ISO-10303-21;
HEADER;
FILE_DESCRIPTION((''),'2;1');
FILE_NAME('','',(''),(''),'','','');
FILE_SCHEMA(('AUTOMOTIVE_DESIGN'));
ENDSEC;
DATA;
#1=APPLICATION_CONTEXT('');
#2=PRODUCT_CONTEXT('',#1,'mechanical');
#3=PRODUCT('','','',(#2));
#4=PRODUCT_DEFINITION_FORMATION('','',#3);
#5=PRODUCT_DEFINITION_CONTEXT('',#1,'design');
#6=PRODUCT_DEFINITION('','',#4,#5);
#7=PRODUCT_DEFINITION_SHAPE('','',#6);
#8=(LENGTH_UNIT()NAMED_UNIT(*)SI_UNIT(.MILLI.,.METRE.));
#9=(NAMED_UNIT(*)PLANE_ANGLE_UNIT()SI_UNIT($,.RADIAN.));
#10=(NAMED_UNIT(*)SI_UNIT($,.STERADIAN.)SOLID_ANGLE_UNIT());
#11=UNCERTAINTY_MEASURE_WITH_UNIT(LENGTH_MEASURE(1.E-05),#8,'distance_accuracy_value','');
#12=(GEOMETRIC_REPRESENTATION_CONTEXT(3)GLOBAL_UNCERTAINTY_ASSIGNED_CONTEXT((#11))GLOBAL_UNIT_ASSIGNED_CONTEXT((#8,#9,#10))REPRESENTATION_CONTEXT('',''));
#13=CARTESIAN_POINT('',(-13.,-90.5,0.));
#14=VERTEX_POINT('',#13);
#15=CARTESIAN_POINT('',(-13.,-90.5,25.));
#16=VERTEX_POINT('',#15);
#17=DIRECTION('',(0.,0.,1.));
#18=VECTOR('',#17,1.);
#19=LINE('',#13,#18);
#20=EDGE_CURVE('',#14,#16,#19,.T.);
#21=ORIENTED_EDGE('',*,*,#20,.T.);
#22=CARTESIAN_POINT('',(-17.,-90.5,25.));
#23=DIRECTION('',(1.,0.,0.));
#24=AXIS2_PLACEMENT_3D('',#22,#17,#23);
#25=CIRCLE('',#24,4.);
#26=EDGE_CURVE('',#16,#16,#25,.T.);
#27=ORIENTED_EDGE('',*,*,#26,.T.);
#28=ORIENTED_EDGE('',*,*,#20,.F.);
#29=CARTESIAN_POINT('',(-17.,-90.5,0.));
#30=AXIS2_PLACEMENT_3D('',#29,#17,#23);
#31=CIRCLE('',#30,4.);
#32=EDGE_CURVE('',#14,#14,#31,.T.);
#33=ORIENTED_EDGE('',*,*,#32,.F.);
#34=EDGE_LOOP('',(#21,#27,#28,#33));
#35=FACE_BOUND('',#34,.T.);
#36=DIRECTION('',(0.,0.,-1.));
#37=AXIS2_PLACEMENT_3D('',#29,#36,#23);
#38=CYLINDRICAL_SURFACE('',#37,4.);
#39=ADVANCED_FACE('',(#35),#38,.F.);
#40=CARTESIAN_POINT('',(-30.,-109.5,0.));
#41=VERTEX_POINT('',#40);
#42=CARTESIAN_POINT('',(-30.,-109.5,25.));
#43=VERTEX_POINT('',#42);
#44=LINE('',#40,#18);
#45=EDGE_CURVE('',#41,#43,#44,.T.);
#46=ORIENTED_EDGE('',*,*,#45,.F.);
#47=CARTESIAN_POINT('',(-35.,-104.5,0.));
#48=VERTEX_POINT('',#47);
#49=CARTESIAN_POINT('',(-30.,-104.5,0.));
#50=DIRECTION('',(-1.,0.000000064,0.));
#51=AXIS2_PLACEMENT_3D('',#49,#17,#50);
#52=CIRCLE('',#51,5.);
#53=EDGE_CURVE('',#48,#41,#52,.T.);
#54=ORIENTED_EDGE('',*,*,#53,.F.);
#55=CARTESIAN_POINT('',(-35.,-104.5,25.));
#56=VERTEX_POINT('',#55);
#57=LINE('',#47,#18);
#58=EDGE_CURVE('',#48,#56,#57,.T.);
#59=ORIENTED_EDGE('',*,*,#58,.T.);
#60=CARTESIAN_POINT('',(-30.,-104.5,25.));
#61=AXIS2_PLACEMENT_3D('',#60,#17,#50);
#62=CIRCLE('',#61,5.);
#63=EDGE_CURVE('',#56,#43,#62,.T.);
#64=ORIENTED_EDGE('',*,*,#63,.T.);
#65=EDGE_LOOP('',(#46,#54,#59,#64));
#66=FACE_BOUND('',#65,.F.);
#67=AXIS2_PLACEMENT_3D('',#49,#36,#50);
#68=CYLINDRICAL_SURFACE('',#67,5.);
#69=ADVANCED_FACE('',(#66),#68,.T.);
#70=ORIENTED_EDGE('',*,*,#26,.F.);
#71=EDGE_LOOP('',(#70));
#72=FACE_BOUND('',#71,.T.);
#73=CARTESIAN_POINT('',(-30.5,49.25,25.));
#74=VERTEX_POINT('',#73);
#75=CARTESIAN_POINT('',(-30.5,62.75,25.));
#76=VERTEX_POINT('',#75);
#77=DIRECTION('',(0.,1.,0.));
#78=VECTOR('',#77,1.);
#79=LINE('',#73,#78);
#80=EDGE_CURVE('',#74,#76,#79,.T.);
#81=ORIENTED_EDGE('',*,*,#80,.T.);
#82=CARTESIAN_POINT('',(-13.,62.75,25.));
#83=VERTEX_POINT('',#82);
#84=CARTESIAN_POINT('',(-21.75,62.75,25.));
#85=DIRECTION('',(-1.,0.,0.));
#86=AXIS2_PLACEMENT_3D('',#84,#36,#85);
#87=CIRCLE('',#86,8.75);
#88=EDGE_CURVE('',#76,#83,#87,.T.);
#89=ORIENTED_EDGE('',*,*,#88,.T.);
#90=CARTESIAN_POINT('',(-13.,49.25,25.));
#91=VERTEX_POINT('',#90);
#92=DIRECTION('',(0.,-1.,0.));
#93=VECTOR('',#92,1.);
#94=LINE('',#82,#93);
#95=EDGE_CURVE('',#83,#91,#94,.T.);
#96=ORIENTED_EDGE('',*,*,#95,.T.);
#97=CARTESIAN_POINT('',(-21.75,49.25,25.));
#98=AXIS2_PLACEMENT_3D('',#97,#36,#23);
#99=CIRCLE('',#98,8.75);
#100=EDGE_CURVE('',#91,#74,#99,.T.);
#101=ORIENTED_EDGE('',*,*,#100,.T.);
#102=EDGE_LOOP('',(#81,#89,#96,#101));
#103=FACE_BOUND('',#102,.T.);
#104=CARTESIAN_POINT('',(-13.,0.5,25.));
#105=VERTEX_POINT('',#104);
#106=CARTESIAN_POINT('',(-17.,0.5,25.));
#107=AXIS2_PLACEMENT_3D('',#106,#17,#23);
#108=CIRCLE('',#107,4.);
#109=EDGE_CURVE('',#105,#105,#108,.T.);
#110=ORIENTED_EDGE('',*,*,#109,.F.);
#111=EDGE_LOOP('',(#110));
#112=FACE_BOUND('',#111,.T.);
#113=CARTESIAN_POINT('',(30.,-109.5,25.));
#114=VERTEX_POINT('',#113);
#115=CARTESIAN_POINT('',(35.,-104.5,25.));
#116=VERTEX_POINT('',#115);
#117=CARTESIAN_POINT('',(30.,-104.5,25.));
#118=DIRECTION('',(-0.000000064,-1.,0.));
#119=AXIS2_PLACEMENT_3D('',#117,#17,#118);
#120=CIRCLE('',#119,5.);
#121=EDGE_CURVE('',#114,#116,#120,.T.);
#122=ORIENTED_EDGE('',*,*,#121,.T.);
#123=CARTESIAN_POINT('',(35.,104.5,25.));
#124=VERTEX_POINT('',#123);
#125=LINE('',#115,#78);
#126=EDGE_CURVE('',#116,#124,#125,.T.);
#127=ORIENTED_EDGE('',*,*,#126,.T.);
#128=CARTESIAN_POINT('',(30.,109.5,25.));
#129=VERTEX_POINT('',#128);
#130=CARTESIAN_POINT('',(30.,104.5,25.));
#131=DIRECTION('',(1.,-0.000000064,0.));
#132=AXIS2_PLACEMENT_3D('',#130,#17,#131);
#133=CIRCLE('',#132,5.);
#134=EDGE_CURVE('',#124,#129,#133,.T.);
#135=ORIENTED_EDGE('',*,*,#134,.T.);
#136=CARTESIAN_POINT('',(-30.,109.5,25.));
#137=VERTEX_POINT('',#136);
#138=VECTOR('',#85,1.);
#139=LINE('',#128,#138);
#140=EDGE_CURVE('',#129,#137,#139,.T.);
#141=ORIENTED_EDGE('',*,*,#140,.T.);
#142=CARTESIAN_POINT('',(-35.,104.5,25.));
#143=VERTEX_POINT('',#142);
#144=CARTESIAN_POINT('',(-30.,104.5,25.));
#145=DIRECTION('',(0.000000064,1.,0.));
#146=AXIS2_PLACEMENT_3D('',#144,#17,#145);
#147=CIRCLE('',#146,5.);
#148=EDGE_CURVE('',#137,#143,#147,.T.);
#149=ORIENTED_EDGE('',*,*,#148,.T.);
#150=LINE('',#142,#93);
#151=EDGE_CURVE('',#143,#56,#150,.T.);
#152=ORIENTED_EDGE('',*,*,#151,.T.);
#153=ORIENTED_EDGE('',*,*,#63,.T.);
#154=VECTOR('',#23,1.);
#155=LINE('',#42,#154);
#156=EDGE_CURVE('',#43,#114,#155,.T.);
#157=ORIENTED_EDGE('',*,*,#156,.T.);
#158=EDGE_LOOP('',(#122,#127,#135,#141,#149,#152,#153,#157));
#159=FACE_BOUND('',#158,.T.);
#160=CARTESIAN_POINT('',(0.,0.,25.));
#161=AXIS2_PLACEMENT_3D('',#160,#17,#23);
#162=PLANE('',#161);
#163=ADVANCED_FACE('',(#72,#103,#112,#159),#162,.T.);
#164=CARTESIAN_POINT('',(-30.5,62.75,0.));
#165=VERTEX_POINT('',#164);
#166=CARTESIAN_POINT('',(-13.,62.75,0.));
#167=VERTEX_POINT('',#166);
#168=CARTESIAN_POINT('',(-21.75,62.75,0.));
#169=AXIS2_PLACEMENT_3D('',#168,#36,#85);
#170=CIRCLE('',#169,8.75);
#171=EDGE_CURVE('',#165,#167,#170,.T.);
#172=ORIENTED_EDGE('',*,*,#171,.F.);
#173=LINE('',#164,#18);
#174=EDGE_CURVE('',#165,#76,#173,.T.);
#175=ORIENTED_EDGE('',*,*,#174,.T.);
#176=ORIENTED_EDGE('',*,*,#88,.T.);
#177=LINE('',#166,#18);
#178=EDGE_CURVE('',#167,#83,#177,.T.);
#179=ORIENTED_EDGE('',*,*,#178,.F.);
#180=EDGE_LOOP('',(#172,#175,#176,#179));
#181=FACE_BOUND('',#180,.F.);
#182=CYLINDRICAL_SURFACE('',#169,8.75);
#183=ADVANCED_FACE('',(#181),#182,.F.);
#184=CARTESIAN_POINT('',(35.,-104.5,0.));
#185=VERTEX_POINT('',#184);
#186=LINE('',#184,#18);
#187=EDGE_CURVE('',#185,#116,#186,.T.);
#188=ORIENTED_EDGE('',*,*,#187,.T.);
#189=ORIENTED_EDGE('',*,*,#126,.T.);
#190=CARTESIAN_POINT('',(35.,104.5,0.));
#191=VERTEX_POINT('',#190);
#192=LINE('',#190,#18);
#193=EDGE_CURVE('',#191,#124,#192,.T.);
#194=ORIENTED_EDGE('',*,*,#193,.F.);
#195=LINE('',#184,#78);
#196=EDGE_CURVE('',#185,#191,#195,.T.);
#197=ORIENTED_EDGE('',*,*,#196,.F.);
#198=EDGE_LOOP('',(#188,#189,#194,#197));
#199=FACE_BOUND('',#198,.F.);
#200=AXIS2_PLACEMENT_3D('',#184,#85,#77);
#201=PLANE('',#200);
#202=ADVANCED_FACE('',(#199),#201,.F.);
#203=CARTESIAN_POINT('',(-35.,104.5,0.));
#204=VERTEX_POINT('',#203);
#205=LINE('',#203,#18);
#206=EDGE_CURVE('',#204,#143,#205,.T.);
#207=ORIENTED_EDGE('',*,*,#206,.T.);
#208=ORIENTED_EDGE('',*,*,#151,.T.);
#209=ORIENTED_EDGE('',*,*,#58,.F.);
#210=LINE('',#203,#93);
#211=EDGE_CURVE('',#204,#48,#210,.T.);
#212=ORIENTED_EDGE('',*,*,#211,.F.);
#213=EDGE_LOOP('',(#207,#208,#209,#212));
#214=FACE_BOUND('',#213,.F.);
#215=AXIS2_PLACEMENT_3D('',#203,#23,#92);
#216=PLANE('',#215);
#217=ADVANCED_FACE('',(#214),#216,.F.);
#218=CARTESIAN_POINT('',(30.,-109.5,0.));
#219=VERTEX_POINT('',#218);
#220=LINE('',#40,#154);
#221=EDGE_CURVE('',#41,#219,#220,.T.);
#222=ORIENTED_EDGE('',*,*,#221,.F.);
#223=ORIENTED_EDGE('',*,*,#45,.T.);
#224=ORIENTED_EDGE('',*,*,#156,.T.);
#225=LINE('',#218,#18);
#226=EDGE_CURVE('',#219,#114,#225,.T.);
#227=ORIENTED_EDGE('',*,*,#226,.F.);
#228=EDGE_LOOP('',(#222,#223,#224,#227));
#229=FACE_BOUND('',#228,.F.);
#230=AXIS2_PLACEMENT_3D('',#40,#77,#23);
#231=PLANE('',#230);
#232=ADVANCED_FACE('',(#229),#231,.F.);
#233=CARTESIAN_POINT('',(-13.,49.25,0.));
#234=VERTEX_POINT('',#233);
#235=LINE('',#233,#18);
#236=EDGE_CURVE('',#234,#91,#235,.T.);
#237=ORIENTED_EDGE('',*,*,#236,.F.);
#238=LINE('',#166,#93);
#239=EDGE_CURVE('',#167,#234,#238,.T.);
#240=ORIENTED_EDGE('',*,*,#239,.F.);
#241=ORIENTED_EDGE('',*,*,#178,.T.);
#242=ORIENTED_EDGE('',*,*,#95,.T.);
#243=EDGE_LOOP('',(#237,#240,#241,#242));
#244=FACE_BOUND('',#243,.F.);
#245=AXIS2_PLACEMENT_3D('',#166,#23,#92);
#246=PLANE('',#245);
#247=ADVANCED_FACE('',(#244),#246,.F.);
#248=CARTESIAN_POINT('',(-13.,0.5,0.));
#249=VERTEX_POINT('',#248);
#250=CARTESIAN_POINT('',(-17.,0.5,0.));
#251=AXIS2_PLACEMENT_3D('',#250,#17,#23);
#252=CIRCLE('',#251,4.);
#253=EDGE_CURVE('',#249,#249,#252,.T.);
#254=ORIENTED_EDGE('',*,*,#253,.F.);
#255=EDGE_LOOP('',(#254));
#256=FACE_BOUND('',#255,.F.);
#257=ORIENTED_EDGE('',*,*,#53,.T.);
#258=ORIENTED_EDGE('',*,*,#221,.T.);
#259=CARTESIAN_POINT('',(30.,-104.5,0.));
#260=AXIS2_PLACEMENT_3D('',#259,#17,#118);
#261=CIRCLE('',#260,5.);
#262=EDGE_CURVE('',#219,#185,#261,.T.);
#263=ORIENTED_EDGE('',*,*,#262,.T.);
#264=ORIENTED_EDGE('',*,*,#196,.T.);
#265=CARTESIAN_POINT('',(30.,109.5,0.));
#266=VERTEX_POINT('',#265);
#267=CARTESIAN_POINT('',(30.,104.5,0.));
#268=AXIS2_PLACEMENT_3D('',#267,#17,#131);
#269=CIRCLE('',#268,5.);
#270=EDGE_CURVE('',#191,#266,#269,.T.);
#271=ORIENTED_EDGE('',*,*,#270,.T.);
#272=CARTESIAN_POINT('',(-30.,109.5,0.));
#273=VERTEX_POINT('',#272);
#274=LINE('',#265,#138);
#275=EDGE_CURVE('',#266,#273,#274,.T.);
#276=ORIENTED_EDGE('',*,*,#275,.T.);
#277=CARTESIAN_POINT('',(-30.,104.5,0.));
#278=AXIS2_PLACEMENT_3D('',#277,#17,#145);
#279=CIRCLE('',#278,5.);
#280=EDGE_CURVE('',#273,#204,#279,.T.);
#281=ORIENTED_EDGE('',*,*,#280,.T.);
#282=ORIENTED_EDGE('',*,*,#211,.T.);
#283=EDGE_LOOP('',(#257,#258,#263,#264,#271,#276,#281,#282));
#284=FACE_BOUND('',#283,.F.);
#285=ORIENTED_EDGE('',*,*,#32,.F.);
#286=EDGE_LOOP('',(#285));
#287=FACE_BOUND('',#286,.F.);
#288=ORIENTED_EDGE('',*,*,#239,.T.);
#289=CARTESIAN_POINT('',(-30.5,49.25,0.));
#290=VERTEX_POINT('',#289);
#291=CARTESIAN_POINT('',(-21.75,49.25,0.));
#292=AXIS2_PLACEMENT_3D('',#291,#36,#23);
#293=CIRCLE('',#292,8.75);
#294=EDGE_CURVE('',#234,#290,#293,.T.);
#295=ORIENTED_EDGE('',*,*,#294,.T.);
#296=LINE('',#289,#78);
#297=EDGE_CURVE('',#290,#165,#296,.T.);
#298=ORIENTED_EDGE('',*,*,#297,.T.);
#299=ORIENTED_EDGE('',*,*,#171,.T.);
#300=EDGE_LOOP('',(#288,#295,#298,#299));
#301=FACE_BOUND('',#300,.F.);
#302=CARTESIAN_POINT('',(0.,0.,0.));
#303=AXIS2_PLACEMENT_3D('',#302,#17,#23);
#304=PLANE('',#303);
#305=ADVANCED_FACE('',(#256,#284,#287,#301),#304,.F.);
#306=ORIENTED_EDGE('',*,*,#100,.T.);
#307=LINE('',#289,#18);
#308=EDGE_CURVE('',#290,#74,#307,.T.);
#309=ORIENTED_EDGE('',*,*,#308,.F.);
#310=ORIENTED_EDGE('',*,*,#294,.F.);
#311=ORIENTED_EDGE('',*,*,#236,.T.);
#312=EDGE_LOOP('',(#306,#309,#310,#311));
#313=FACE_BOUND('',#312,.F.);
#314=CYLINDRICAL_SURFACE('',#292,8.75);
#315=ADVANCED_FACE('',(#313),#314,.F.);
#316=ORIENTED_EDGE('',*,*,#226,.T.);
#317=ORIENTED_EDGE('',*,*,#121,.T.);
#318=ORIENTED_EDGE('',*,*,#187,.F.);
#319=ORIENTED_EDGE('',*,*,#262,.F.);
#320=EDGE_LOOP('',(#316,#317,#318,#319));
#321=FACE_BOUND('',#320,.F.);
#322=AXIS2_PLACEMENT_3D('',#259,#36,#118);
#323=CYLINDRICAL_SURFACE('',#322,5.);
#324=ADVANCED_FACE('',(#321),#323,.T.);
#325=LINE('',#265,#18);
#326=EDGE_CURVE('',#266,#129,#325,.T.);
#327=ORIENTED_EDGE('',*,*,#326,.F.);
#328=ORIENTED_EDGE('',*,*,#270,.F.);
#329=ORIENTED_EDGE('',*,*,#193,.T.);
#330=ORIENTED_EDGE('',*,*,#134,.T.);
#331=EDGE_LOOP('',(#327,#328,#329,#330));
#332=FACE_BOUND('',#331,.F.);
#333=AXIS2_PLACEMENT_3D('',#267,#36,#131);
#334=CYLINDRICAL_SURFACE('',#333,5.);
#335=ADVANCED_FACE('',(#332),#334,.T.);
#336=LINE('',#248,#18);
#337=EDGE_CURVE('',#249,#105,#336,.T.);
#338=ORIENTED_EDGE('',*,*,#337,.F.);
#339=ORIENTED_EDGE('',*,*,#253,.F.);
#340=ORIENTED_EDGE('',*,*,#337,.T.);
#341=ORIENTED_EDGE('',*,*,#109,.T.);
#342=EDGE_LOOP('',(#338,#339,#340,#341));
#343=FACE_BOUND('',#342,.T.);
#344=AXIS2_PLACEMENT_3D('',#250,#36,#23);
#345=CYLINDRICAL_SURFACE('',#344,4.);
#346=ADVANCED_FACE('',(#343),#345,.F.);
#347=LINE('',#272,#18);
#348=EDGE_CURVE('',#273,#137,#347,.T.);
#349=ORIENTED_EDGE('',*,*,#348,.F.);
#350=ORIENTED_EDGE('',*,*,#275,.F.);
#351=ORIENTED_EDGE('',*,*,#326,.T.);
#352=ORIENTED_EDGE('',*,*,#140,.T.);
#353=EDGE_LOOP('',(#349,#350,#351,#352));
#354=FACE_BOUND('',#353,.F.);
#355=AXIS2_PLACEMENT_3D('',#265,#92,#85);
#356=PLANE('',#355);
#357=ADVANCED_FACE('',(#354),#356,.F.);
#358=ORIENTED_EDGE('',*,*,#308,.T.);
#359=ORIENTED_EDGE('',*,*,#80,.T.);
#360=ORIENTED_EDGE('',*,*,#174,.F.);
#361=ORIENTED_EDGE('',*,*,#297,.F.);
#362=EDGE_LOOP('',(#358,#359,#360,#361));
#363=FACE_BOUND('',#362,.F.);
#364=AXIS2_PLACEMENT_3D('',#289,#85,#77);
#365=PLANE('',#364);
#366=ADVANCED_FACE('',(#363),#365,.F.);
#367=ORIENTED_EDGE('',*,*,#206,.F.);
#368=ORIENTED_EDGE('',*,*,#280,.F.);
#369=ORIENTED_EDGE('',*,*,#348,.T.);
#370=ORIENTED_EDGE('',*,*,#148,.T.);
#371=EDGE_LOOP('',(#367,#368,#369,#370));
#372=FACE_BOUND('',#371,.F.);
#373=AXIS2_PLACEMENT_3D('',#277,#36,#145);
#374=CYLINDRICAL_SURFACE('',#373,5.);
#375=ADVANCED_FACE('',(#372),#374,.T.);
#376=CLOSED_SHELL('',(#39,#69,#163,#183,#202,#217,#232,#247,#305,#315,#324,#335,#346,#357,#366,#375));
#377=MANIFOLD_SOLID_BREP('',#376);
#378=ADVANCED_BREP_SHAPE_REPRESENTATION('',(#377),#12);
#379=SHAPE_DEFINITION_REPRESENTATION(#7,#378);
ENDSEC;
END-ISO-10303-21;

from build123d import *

# Parameters (mm, degrees)
F0_R     = 4
F1_DEPTH = 25


with BuildPart() as f1:
    # F0 (on Top) → F1 (new body)
    with BuildSketch(Plane.XY):
        with BuildLine():
            ThreePointArc((-35, -104.5), (-33.535534, -108.035534), (-30, -109.5))
            Line((-30, -109.5), (30, -109.5))
            ThreePointArc((30, -109.5), (33.535534, -108.035534), (35, -104.5))
            Line((35, -104.5), (35, 104.5))
            ThreePointArc((35, 104.5), (33.535534, 108.035534), (30, 109.5))
            Line((30, 109.5), (-30, 109.5))
            ThreePointArc((-30, 109.5), (-33.535534, 108.035534), (-35, 104.5))
            Line((-35, 104.5), (-35, -104.5))
        make_face()
        with Locations((-17, -90.5)):
            Circle(F0_R, mode=Mode.SUBTRACT)
        with Locations((-17, 0.5)):
            Circle(F0_R, mode=Mode.SUBTRACT)
        with BuildLine():
            ThreePointArc((-30.5, 62.75), (-21.75, 71.5), (-13, 62.75))
            Line((-13, 62.75), (-13, 49.25))
            ThreePointArc((-13, 49.25), (-21.75, 40.5), (-30.5, 49.25))
            Line((-30.5, 49.25), (-30.5, 62.75))
        make_face(mode=Mode.SUBTRACT)
    extrude(amount=F1_DEPTH)


solid = f1.part
